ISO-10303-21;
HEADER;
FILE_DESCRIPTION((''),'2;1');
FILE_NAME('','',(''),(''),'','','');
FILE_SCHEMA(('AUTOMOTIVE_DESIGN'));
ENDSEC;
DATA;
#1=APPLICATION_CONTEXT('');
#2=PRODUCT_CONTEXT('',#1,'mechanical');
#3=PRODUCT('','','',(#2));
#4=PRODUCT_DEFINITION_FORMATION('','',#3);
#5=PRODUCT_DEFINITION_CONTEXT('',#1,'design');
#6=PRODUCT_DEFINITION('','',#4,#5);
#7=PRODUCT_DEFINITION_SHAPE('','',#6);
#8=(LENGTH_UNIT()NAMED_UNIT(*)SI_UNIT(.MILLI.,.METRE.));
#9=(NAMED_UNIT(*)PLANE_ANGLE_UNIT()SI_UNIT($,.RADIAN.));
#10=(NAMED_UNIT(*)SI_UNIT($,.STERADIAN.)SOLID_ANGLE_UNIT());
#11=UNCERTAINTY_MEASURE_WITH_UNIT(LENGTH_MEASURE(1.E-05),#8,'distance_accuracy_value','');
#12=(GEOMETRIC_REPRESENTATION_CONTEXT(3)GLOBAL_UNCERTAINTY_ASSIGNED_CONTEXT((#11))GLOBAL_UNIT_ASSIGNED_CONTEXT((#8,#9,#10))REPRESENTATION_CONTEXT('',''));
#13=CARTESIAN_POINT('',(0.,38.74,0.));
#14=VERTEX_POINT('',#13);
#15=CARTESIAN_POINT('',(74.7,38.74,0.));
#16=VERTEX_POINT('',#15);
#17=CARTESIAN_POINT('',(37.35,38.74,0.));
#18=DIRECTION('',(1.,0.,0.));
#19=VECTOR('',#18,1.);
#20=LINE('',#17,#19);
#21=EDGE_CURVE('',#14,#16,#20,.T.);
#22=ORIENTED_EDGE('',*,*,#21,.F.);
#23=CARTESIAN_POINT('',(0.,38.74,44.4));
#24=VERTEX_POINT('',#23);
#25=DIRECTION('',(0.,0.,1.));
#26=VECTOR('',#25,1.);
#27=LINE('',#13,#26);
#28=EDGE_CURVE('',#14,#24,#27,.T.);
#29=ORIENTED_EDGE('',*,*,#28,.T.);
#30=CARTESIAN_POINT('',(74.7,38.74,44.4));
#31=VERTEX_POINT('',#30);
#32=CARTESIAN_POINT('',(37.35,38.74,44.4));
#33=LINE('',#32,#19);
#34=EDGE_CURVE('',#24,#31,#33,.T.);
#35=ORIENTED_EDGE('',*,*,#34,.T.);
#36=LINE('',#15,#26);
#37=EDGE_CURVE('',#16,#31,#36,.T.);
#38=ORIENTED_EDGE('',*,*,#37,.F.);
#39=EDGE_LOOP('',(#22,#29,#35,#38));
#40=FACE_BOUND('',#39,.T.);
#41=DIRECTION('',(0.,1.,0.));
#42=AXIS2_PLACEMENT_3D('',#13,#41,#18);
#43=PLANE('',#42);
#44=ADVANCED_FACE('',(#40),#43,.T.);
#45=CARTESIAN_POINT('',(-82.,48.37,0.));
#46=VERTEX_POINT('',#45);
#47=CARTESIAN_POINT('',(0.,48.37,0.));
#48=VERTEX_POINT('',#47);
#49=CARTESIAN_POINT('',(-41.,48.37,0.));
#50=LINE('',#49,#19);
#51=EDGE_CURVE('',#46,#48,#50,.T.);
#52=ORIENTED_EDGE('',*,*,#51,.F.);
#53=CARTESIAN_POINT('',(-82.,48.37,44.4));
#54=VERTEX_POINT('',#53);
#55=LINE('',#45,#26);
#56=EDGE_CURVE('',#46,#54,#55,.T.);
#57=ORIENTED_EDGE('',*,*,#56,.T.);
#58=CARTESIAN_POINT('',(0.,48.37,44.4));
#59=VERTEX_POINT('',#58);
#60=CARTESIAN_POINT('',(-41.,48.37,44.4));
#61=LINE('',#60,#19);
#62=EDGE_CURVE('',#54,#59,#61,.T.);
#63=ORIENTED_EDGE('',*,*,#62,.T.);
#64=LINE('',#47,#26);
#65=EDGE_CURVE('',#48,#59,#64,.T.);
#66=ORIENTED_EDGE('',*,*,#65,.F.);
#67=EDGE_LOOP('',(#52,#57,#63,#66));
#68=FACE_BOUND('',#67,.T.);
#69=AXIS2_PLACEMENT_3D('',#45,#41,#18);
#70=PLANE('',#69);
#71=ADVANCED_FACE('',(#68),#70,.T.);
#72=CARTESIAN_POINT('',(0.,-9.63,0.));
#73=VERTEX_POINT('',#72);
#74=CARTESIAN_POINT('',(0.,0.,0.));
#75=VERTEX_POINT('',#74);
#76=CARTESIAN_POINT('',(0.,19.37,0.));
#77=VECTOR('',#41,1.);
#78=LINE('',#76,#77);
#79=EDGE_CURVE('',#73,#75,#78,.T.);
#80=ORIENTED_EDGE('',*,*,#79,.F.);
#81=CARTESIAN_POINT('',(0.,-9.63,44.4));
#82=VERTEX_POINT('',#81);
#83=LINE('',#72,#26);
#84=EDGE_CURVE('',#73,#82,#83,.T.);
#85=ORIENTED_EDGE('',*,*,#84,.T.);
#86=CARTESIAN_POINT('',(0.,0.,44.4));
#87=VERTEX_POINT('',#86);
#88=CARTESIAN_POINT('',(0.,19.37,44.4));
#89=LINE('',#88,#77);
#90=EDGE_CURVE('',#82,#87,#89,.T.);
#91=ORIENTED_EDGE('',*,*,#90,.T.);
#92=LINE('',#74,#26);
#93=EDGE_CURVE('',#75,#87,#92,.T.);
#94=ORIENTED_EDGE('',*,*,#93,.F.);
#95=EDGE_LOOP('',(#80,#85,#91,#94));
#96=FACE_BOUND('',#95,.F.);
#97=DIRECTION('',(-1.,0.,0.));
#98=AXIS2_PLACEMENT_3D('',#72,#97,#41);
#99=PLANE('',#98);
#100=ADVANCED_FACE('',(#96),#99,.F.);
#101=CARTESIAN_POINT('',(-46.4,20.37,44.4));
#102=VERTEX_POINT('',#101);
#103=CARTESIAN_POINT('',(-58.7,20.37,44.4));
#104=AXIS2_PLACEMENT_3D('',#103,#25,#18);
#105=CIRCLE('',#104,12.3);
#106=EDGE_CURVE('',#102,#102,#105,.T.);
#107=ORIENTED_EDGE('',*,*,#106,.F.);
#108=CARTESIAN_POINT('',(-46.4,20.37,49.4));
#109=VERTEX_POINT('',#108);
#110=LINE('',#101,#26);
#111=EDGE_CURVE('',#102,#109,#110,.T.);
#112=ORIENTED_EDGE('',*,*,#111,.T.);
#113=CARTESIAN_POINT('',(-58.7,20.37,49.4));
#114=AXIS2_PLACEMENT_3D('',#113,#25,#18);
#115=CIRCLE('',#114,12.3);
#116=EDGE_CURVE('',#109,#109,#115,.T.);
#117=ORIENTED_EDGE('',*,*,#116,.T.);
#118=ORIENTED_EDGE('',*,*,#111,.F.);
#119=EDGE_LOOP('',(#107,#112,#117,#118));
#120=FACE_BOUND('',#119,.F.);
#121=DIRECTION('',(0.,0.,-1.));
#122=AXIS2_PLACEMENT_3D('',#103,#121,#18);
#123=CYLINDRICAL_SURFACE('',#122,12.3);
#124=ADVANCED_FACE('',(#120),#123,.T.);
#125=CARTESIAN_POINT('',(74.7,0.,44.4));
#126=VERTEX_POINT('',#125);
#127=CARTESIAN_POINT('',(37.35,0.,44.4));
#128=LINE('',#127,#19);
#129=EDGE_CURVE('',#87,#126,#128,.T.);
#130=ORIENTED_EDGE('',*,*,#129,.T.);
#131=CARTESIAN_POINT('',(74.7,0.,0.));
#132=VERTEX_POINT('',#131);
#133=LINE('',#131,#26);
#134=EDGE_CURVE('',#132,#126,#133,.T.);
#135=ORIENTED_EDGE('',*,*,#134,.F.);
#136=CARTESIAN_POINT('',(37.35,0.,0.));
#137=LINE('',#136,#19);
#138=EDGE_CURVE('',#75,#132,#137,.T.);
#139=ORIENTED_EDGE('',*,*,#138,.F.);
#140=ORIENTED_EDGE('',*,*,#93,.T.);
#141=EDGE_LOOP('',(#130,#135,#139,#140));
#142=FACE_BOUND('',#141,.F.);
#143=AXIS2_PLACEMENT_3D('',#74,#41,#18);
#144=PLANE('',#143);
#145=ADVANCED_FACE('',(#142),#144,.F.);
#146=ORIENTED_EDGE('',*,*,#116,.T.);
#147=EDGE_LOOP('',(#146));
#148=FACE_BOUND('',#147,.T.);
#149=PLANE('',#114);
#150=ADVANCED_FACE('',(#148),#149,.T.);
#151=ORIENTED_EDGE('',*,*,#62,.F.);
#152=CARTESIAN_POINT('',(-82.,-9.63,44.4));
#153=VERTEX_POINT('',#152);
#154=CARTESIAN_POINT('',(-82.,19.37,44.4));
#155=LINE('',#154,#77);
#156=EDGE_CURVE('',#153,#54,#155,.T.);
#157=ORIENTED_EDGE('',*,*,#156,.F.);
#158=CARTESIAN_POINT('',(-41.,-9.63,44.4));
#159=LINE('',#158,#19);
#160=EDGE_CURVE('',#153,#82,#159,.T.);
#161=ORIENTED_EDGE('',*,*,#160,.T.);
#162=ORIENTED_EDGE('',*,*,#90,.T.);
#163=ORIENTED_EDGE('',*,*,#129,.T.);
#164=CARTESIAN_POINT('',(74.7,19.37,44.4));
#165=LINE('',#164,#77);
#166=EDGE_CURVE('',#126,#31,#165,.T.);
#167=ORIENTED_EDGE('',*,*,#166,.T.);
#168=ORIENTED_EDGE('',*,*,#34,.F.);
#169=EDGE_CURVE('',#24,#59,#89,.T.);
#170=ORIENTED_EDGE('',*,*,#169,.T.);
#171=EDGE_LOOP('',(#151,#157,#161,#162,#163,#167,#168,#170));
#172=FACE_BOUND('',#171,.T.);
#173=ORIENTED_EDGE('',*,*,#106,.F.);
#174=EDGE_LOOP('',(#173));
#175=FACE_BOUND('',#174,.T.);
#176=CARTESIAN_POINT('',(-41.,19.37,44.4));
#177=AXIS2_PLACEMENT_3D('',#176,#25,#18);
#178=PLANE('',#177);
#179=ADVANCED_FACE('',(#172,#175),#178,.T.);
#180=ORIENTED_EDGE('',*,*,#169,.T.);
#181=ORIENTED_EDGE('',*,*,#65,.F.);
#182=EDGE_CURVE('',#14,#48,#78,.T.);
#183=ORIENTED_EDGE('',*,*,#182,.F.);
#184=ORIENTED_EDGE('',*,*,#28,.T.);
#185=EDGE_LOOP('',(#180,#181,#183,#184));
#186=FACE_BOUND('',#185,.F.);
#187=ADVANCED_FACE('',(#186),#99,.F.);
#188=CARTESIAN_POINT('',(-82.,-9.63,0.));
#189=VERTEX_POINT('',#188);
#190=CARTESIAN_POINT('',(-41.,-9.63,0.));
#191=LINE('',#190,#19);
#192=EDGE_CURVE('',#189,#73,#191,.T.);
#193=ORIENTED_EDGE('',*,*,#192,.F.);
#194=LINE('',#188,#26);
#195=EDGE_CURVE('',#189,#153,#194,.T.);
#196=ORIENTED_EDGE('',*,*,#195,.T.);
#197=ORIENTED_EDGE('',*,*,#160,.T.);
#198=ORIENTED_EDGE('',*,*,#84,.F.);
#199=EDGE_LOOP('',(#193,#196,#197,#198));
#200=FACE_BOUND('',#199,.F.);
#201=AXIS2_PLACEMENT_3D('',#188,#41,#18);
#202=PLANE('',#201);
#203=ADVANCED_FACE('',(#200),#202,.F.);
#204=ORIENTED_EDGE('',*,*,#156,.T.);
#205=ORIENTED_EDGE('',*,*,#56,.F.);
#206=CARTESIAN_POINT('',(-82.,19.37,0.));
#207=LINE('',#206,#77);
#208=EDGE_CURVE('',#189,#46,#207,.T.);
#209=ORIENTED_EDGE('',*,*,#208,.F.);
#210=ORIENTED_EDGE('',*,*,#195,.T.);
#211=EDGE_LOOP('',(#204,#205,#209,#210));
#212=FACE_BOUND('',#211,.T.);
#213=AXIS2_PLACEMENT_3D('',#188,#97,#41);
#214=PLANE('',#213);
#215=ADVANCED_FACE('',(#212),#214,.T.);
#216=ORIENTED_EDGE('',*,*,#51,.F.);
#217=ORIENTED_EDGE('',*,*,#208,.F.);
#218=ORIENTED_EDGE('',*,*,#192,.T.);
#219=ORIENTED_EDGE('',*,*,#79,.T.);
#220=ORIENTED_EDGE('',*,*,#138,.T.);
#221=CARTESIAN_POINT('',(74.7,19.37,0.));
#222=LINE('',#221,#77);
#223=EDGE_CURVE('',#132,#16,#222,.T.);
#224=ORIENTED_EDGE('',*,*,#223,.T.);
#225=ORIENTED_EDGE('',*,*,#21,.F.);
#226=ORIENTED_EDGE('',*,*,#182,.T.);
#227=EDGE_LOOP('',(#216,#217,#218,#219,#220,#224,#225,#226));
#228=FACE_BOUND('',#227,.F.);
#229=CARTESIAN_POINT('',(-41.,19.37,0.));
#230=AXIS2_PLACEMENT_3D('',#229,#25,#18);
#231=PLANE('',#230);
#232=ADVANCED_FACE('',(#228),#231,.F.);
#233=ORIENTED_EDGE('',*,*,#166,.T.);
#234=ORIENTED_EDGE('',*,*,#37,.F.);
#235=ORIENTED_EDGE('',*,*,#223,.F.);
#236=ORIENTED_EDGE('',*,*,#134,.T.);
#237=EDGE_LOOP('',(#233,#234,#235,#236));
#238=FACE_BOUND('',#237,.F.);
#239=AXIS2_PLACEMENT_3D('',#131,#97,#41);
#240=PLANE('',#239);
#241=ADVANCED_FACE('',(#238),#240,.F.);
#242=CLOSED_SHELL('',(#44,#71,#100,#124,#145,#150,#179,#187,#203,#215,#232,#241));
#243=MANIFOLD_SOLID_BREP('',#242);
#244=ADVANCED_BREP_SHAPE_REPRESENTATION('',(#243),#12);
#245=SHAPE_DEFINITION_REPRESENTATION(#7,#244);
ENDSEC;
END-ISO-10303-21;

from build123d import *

# Parameters (mm, degrees)
SKETCH_R      = 12.3
EXTRUDE_DEPTH = 5
BOX001_W      = 82
BOX001_H      = 58
BOX001_DEPTH  = 44.4
BOX_W         = 74.7
BOX_H         = 38.74
BOX_DEPTH     = 44.4


with BuildPart() as extrude_body:
    # Sketch (on Face6 of Box001) → Extrude (new body)
    with BuildSketch(Plane(origin=(-82, -9.63, 44.4), x_dir=(1, 0, 0), z_dir=(0, 0, 1))):
        with Locations((23.3, 30)):
            Circle(SKETCH_R)
    extrude(amount=EXTRUDE_DEPTH)


with BuildPart() as cube001:
    # Box001 → Box001 (new body)
    with BuildSketch(Plane(origin=(-82, -9.63, 0), x_dir=(1, 0, 0), z_dir=(0, 0, 1))):
        with Locations((41, 29)):
            Rectangle(BOX001_W, BOX001_H)
    extrude(amount=BOX001_DEPTH)


with BuildPart() as fusion002:
    # Box → Box (new body)
    with BuildSketch(Plane.XY):
        with Locations((37.35, 19.37)):
            Rectangle(BOX_W, BOX_H)
    extrude(amount=BOX_DEPTH)

    # Fusion: union Cube001
    add(cube001.part)

    # Fusion002: union Extrude body
    add(extrude_body.part)


solid = fusion002.part
